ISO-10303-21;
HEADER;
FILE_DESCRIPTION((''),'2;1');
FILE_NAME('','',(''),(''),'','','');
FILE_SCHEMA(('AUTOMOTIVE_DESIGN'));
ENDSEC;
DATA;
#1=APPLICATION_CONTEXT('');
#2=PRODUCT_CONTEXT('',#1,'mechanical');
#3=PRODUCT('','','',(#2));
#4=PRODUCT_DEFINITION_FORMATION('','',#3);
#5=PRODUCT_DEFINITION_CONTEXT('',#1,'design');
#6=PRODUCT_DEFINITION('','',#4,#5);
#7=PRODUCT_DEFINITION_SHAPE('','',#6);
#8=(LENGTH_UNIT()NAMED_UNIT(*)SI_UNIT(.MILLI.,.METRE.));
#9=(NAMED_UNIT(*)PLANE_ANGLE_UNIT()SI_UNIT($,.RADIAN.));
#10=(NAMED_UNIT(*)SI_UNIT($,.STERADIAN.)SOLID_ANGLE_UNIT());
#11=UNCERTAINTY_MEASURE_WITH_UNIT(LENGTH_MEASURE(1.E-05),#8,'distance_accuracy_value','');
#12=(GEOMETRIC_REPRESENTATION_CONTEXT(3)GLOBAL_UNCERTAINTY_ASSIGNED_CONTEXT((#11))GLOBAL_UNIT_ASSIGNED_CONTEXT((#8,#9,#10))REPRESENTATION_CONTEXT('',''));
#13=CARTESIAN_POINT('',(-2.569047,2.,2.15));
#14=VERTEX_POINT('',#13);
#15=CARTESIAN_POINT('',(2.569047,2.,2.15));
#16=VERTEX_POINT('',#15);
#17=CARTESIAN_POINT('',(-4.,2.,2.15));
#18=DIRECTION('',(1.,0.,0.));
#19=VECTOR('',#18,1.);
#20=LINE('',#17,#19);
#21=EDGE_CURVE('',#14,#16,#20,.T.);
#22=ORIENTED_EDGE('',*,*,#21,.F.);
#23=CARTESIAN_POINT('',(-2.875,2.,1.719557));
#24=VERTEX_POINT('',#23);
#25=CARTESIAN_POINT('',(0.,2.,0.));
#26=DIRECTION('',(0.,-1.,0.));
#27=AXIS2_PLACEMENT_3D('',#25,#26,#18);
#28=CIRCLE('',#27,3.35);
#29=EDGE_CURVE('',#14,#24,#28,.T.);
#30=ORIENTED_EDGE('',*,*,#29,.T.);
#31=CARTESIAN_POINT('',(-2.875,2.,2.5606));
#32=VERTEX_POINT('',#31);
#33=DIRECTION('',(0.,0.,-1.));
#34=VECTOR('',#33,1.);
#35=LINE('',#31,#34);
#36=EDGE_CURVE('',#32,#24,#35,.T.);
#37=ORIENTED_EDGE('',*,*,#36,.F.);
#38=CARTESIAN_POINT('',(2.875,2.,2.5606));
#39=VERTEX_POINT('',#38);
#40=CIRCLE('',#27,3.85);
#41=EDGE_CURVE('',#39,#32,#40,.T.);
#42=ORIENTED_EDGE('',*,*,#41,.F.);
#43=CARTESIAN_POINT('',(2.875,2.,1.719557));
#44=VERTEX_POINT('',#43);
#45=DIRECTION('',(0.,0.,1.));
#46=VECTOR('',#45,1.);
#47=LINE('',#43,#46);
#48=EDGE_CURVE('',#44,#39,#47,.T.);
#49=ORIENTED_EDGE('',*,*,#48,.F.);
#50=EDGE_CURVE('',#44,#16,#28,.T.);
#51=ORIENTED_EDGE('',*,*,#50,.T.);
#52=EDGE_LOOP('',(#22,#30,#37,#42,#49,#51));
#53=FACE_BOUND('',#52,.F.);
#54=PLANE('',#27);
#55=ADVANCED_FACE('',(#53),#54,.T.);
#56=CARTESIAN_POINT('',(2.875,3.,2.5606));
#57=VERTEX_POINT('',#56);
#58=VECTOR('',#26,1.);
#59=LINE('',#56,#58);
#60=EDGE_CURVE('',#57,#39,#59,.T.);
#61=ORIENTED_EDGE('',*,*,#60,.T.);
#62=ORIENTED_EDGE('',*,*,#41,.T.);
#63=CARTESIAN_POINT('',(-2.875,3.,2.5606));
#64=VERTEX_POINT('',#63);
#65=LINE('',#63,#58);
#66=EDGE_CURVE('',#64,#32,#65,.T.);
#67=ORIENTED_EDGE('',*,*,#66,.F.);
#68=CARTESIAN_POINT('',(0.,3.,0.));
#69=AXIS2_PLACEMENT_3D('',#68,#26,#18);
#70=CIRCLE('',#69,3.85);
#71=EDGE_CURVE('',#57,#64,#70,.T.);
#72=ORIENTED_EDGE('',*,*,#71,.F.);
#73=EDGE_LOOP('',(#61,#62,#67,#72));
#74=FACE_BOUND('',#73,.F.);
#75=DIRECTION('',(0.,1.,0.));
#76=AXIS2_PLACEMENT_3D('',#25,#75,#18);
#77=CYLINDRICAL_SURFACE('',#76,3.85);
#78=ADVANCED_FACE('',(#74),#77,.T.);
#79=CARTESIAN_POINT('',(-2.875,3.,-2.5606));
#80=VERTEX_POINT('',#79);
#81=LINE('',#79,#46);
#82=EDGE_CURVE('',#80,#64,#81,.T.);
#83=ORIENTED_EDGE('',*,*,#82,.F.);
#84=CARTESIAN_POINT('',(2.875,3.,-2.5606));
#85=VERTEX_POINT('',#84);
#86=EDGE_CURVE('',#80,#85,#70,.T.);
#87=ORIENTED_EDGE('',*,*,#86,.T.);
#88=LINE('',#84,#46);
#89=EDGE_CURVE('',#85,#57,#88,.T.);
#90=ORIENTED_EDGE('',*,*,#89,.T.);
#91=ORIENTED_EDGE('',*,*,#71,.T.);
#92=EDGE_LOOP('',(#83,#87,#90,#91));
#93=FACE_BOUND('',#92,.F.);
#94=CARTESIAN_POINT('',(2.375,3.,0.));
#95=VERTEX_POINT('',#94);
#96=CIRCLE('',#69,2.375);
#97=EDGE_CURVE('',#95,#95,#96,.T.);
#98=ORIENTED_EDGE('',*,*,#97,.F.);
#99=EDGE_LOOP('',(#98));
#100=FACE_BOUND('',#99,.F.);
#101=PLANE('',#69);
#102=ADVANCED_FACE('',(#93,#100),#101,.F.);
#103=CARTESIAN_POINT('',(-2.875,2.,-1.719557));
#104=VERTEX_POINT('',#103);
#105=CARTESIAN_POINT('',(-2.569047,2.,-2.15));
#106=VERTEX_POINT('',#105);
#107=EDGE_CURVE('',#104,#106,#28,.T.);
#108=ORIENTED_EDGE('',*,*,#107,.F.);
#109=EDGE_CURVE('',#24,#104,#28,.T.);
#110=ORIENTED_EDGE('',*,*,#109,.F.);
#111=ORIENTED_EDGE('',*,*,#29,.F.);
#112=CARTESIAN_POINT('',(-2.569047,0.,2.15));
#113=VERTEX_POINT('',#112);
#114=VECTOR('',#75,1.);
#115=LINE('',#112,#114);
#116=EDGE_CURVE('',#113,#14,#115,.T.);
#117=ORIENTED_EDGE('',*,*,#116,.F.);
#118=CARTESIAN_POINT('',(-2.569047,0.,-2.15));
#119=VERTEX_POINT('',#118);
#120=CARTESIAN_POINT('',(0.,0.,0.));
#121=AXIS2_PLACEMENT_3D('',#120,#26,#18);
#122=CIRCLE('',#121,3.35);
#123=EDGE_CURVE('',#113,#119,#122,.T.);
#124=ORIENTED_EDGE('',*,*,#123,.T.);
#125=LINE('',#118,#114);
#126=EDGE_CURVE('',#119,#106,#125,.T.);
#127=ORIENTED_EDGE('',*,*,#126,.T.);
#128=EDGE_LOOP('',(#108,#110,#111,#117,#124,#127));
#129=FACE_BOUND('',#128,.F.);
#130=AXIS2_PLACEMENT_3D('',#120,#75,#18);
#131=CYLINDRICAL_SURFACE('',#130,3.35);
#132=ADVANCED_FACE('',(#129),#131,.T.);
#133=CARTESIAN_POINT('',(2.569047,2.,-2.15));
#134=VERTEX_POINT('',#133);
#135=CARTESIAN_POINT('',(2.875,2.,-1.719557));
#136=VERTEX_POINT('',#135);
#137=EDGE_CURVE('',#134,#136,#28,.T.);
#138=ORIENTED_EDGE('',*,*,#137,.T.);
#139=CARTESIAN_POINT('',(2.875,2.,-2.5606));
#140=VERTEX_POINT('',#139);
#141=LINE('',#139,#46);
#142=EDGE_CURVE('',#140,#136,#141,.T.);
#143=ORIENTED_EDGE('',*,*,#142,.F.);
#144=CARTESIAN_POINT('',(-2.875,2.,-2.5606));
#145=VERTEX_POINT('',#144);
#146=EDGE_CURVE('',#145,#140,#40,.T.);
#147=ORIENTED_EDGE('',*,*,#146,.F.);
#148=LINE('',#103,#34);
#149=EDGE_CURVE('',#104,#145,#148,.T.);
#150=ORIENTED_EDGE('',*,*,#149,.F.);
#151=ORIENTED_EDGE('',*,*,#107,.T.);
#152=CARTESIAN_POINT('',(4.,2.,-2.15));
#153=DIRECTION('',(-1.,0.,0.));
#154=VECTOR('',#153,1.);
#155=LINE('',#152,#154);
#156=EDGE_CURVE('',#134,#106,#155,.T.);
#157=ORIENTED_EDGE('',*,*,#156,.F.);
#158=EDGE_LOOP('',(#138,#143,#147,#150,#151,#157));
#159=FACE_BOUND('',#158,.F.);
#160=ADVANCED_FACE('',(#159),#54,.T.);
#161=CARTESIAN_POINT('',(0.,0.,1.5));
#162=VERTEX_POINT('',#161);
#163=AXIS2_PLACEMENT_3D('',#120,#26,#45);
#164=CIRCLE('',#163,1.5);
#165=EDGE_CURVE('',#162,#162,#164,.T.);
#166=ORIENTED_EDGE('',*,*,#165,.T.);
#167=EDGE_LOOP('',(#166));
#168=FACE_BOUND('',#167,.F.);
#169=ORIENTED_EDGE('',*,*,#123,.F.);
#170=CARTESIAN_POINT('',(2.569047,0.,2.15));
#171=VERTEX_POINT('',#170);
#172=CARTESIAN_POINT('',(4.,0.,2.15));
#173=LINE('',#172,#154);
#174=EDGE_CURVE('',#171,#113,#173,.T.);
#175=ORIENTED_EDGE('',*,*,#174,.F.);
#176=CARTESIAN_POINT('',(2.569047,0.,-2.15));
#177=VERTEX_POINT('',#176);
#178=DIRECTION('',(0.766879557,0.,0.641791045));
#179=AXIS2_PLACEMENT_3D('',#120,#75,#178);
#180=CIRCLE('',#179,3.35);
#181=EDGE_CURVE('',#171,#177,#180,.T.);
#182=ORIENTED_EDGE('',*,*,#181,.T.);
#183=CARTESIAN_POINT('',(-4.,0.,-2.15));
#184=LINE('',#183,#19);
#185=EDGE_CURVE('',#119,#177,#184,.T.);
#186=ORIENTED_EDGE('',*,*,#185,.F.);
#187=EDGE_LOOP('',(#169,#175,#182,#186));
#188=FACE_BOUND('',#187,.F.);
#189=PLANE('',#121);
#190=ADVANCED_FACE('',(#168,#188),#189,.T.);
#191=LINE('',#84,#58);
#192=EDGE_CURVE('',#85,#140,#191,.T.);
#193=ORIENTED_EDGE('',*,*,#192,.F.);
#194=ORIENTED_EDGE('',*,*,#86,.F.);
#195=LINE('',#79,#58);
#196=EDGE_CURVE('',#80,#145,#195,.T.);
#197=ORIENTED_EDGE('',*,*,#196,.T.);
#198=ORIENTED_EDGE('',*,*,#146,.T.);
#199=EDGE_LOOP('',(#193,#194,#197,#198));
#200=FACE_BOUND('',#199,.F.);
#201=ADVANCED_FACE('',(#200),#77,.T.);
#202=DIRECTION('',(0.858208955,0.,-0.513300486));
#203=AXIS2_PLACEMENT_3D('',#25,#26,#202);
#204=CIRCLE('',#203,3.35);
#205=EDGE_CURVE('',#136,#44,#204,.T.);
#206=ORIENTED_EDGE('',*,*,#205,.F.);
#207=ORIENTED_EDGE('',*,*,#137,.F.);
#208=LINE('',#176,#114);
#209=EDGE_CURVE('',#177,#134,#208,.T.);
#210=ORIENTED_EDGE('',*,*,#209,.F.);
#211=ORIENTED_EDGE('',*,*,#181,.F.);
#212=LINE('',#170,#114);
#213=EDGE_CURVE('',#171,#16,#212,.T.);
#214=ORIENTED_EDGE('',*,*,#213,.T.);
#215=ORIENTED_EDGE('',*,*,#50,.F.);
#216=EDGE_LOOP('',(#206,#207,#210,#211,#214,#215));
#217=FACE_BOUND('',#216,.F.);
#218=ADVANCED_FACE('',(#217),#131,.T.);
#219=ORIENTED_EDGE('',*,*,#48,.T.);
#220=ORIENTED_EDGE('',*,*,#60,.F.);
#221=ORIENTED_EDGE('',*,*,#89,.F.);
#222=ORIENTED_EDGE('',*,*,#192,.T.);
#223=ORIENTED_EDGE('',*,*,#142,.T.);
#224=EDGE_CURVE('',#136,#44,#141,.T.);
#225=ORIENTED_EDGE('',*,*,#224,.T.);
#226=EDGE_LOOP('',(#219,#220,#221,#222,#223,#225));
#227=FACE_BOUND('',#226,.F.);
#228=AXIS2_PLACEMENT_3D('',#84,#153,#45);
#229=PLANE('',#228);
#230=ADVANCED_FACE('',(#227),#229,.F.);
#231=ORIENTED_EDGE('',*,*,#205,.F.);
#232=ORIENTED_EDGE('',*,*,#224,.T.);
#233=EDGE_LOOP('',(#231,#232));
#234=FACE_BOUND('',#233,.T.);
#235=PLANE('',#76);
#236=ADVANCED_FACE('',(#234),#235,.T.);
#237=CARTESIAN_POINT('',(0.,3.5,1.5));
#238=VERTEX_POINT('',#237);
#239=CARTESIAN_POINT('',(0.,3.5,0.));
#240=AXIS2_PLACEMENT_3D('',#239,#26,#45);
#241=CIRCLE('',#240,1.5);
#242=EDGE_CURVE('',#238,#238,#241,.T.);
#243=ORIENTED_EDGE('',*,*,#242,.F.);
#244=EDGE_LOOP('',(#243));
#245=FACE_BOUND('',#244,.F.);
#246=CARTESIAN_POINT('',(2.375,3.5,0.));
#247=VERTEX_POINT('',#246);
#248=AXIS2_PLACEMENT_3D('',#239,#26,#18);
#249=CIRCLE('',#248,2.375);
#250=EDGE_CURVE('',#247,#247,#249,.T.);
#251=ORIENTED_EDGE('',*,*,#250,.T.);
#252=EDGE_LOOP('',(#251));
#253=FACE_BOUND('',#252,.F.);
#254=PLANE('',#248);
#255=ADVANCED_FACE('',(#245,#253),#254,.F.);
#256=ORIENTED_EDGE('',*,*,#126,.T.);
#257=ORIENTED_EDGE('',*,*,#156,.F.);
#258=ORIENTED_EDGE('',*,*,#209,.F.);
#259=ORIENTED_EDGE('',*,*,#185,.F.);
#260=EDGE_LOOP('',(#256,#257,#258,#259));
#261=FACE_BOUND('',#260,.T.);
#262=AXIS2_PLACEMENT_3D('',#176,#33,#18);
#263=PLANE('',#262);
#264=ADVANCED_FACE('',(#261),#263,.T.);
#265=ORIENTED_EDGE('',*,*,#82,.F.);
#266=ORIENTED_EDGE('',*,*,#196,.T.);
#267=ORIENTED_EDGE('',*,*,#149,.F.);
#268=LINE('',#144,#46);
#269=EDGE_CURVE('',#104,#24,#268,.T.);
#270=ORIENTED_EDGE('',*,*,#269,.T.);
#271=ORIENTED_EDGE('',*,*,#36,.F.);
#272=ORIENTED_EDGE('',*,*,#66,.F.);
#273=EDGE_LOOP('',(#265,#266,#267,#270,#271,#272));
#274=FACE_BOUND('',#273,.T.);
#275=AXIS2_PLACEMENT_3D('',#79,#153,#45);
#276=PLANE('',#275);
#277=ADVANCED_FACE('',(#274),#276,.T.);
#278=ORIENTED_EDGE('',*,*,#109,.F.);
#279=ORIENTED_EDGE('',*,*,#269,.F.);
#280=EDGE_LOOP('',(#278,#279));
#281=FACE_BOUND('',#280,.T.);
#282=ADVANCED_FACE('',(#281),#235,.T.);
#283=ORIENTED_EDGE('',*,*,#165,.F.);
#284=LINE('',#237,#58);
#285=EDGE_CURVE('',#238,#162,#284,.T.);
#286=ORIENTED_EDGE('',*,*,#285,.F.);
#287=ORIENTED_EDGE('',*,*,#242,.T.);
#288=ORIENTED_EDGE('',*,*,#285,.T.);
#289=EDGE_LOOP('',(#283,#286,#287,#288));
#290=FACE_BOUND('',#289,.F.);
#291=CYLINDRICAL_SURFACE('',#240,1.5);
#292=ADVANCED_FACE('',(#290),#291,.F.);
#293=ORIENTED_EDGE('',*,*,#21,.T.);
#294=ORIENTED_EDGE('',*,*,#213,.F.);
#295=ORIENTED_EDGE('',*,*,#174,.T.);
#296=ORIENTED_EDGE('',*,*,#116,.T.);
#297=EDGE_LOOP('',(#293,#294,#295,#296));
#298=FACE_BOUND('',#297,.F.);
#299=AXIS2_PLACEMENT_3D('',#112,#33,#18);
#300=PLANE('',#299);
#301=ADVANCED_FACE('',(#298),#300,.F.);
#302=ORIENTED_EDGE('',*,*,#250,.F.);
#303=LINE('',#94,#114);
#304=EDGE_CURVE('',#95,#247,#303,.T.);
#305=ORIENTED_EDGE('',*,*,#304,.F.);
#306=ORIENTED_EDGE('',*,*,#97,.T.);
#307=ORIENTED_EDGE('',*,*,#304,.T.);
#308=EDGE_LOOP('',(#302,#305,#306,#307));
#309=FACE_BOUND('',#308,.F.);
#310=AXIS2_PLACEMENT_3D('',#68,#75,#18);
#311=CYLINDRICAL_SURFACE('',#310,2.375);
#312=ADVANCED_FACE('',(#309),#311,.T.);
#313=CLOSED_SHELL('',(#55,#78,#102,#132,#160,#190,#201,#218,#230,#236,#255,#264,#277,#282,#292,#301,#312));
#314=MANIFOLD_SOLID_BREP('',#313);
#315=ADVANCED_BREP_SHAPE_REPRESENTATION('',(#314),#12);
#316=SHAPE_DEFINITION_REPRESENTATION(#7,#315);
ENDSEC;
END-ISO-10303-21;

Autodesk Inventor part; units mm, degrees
ref_plane "YZ Plane" through (0, 0, 0) normal (1, 0, 0) x (0, 1, 0)
ref_plane "XZ Plane" through (0, 0, 0) normal (0, 1, 0) x (-1, 0, 0)
ref_plane "XY Plane" through (0, 0, 0) normal (0, 0, 1) x (1, 0, 0)
sketch "Sketch1" plane through (0, 0, 0) normal (0, 0, 1) x (1, 0, 0)
  line L0 (0, 0) -> (3.35, 0)
  line L1 (3.35, 0) -> (3.35, 2)
  line L2 (3.35, 2) -> (0, 2)
  line L3 (0, 2) -> (0, 0)
  line L4 (0, 2) -> (3.85, 2)
  line L5 (3.85, 2) -> (3.85, 3)
  line L6 (3.85, 3) -> (0, 3)
  line L7 (0, 3) -> (0, 2)
  line L8 (0, 3) -> (2.375, 3)
  line L9 (2.375, 3) -> (2.375, 3.5)
  line L10 (2.375, 3.5) -> (0, 3.5)
  line L11 (0, 3.5) -> (0, 3)
  dimension "d0" = 6.7
  dimension "d1" = 7.7
  dimension "d2" = 4.75
  dimension "d3" = 2
  dimension "d4" = 3
  dimension "d5" = 3.5
revolve "Revolution1" add sketch "Sketch1" angle 360 about axis through (0, 3.5, 0) along (0, -1, 0)
sketch "Sketch2" plane through (0, 3, 0) normal (0, 1, 0) x (1, 0, 0)
  circle A0 centre (0, 0) radius 3.85 projected
  line L0 (-2.875, 2.5606) -> (-2.875, -2.5606)
  line L1 (2.875, 2.5606) -> (2.875, -2.5606)
  dimension "d7" = 5.75
extrude "Extrusion1" cut sketch "Sketch2" against normal up to surface (1 mm away) contours A0 L1 | L0 A0
hole "Hole1" at (0, 3.5, 0) direction (0, -1, 0) diameter 3 end through all
sketch "Sketch3" plane through (0, 0, 0) normal (0, -1, 0) x (1, 0, 0)
  circle A0 centre (0, 0) radius 3.35 projected
  line L0 (4, 2.15) -> (4, 4.15)
  line L1 (4, 4.15) -> (-4, 4.15)
  line L2 (-4, 4.15) -> (-4, 2.15)
  line L3 (-4, 2.15) -> (4, 2.15)
  line L4 (4, -2.15) -> (4, -4.15)
  line L5 (4, -4.15) -> (-4, -4.15)
  line L6 (-4, -4.15) -> (-4, -2.15)
  line L7 (-4, -2.15) -> (4, -2.15)
  line L8 (0, 2.15) -> (0, -2.15) construction
  point P0 (0, 0)
  dimension "d19" = 4.3
  dimension "d20" = 2
  dimension "d21" = 8
extrude "Extrusion2" cut sketch "Sketch3" against normal up to surface (2 mm away) contours L3 A0 | A0 L3 L2 L1 L0 | L7 L4 L5 L6 A0 | A0 L7
properties part number "308-08" material "Polypropylene"
